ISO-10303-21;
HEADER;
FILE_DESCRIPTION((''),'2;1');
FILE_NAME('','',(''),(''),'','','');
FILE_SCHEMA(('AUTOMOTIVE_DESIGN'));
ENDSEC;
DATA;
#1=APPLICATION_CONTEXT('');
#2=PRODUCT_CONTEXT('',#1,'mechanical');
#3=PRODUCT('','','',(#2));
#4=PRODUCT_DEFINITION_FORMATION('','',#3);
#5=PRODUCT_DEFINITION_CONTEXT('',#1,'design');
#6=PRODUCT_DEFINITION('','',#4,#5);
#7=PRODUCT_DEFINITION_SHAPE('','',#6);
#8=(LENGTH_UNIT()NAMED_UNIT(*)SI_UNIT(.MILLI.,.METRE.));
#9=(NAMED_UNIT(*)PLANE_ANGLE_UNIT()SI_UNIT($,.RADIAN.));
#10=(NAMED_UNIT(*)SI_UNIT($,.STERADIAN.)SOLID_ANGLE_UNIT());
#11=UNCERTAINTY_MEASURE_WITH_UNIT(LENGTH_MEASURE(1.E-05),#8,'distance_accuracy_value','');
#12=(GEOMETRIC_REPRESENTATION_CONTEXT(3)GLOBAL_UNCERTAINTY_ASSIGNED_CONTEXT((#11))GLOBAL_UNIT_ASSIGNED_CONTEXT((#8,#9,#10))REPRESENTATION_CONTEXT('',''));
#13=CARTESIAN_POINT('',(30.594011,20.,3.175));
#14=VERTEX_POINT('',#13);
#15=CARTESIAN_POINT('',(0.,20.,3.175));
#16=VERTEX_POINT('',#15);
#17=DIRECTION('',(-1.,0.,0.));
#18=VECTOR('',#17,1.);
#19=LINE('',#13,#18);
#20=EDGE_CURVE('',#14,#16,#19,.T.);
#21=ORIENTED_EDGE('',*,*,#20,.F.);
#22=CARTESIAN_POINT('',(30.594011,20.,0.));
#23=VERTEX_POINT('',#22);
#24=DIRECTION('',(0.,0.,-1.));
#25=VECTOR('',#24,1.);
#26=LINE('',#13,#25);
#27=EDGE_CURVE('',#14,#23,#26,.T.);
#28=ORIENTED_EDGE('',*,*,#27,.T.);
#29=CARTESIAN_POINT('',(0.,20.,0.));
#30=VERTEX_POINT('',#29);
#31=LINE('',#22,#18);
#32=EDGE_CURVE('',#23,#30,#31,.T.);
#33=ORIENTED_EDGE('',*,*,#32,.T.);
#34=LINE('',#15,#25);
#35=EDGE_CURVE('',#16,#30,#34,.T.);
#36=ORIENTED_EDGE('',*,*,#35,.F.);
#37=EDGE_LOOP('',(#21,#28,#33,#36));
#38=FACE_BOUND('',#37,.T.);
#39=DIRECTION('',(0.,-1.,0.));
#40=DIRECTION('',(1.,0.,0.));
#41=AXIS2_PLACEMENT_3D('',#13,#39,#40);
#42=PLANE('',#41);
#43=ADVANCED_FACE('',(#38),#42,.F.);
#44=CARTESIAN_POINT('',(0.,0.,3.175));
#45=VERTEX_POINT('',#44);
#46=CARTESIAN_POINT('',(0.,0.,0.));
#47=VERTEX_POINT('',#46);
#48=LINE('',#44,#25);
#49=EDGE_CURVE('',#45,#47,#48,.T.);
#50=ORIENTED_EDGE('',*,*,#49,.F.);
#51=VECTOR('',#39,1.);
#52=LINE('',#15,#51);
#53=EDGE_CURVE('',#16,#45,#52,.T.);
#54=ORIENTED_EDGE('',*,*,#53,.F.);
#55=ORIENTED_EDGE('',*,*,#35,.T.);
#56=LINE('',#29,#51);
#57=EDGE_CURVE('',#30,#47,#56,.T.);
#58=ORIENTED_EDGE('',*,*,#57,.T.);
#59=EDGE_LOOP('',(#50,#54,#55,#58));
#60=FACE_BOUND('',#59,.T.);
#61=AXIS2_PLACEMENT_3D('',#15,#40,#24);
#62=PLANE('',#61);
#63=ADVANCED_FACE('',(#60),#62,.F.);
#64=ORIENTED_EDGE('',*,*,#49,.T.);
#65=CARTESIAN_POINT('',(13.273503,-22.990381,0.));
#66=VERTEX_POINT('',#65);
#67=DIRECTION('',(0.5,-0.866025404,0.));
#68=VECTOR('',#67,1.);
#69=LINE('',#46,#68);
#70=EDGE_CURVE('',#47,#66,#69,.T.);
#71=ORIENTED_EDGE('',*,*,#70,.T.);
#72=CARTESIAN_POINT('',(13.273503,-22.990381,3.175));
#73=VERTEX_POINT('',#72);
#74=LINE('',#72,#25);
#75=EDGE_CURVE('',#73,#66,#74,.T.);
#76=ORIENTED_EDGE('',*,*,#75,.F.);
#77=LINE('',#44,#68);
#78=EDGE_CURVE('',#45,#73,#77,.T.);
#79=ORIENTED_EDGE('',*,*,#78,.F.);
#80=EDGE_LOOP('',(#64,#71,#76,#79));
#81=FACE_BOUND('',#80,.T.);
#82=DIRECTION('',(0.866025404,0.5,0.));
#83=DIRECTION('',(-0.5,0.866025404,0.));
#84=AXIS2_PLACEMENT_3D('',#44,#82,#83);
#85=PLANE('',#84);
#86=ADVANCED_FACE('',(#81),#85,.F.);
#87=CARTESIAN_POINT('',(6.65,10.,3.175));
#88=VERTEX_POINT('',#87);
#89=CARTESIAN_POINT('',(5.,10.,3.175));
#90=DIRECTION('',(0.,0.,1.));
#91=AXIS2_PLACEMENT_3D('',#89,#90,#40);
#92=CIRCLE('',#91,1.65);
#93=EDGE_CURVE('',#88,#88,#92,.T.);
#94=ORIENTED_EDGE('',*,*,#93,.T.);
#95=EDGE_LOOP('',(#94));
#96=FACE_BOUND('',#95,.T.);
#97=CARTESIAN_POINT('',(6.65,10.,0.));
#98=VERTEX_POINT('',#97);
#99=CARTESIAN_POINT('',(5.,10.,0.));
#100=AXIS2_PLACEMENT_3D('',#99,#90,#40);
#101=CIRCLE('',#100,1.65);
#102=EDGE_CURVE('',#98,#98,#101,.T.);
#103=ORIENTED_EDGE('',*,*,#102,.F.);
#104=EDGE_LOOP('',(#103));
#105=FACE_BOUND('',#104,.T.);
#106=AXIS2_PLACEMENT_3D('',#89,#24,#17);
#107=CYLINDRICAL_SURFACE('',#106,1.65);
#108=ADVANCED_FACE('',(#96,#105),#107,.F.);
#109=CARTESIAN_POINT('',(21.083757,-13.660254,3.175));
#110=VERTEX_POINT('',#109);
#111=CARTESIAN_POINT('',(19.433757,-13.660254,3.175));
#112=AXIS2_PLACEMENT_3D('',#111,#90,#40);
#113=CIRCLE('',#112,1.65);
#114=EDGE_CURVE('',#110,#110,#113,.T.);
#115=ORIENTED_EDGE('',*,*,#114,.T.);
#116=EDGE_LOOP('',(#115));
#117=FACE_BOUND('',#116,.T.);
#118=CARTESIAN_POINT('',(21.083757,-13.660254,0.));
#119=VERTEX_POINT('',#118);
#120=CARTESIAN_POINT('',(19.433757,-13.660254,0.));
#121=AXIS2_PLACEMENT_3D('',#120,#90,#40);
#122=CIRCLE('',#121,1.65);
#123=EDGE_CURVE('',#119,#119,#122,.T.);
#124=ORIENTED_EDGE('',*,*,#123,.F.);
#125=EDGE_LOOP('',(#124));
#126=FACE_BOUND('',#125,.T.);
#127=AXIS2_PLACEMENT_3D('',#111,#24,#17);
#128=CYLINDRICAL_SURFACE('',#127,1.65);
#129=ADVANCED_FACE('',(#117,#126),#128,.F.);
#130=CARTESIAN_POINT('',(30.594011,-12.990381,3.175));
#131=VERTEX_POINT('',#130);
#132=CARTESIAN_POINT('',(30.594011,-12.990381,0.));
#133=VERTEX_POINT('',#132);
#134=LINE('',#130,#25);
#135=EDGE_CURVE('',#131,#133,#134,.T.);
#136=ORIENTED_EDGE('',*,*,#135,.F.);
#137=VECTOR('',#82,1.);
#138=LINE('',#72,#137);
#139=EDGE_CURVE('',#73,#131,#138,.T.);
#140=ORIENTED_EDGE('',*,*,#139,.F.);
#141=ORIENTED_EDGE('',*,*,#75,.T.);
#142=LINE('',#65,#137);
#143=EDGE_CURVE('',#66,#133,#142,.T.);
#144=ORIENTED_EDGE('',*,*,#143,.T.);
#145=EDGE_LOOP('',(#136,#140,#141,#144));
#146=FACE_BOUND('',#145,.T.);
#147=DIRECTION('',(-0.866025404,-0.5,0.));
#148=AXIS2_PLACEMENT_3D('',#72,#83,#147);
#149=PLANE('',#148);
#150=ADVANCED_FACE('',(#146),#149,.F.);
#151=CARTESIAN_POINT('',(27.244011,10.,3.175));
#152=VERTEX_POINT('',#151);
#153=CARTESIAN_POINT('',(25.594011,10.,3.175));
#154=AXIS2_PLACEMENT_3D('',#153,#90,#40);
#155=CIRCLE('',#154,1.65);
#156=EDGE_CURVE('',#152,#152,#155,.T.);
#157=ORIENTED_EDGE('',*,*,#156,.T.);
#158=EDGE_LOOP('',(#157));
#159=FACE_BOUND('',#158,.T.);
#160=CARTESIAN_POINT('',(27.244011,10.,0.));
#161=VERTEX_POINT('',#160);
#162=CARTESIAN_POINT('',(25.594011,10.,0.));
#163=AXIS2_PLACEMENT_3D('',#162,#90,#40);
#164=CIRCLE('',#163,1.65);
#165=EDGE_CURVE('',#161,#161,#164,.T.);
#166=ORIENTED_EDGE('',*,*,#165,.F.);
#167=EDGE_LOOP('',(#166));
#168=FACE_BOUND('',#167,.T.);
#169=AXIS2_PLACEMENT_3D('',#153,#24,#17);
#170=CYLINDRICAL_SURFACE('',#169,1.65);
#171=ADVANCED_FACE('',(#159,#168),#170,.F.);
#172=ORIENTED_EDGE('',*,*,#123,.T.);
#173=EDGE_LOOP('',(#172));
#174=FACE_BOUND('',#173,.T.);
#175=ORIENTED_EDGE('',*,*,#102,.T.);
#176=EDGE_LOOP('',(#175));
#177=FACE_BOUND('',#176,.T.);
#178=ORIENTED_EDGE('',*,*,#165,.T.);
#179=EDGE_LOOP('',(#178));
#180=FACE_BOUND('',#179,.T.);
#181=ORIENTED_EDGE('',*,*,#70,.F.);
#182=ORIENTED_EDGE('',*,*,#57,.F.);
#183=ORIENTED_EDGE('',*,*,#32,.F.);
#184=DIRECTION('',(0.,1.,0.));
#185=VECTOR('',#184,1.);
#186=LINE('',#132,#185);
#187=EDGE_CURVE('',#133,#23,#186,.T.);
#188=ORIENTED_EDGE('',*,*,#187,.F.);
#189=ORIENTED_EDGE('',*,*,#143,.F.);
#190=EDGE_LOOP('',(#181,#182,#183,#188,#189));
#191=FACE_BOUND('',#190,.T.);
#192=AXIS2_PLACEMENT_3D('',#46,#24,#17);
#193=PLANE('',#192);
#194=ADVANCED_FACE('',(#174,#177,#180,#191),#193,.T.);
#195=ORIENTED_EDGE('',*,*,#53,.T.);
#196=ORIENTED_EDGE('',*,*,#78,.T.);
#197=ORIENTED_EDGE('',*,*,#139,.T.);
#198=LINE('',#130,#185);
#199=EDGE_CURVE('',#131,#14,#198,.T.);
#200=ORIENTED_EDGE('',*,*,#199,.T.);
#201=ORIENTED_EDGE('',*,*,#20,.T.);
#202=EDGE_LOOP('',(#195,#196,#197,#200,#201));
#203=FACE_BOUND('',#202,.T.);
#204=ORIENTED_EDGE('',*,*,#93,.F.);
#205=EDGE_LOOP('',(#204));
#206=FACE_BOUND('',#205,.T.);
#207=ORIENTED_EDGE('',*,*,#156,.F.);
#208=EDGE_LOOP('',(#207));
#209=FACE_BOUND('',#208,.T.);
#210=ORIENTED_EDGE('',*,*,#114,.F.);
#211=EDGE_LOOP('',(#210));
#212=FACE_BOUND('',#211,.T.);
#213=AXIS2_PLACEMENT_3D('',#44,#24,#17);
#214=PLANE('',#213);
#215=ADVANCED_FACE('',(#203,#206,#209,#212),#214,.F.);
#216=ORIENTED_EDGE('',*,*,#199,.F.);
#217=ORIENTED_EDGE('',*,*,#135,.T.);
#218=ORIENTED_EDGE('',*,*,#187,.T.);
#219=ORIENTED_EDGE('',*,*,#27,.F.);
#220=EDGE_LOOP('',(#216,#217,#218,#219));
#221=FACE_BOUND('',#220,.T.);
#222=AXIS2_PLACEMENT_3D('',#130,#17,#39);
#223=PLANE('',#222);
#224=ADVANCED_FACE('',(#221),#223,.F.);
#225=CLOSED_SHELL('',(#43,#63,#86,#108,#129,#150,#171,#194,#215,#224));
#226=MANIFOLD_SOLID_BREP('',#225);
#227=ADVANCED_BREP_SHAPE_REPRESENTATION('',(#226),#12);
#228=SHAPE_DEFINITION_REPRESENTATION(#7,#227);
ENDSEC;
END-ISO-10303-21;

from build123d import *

# Parameters (mm, degrees)
SKETCH1_R           = 1.65
BOSS_EXTRUDE1_DEPTH = 3.175


with BuildPart() as part:
    # Sketch1 → Boss-Extrude1 (new body)
    with BuildSketch(Plane.XY):
        Polygon((0, 0), (13.273502692, -22.990381057), (30.594010768, -12.990381057), (30.594010768, 20), (0, 20), align=None)
        with Locations((19.43375673, -13.660254038)):
            Circle(SKETCH1_R, mode=Mode.SUBTRACT)
        with Locations((5, 10)):
            Circle(SKETCH1_R, mode=Mode.SUBTRACT)
        with Locations((25.594010768, 10)):
            Circle(SKETCH1_R, mode=Mode.SUBTRACT)
    extrude(amount=BOSS_EXTRUDE1_DEPTH)


solid = part.part
